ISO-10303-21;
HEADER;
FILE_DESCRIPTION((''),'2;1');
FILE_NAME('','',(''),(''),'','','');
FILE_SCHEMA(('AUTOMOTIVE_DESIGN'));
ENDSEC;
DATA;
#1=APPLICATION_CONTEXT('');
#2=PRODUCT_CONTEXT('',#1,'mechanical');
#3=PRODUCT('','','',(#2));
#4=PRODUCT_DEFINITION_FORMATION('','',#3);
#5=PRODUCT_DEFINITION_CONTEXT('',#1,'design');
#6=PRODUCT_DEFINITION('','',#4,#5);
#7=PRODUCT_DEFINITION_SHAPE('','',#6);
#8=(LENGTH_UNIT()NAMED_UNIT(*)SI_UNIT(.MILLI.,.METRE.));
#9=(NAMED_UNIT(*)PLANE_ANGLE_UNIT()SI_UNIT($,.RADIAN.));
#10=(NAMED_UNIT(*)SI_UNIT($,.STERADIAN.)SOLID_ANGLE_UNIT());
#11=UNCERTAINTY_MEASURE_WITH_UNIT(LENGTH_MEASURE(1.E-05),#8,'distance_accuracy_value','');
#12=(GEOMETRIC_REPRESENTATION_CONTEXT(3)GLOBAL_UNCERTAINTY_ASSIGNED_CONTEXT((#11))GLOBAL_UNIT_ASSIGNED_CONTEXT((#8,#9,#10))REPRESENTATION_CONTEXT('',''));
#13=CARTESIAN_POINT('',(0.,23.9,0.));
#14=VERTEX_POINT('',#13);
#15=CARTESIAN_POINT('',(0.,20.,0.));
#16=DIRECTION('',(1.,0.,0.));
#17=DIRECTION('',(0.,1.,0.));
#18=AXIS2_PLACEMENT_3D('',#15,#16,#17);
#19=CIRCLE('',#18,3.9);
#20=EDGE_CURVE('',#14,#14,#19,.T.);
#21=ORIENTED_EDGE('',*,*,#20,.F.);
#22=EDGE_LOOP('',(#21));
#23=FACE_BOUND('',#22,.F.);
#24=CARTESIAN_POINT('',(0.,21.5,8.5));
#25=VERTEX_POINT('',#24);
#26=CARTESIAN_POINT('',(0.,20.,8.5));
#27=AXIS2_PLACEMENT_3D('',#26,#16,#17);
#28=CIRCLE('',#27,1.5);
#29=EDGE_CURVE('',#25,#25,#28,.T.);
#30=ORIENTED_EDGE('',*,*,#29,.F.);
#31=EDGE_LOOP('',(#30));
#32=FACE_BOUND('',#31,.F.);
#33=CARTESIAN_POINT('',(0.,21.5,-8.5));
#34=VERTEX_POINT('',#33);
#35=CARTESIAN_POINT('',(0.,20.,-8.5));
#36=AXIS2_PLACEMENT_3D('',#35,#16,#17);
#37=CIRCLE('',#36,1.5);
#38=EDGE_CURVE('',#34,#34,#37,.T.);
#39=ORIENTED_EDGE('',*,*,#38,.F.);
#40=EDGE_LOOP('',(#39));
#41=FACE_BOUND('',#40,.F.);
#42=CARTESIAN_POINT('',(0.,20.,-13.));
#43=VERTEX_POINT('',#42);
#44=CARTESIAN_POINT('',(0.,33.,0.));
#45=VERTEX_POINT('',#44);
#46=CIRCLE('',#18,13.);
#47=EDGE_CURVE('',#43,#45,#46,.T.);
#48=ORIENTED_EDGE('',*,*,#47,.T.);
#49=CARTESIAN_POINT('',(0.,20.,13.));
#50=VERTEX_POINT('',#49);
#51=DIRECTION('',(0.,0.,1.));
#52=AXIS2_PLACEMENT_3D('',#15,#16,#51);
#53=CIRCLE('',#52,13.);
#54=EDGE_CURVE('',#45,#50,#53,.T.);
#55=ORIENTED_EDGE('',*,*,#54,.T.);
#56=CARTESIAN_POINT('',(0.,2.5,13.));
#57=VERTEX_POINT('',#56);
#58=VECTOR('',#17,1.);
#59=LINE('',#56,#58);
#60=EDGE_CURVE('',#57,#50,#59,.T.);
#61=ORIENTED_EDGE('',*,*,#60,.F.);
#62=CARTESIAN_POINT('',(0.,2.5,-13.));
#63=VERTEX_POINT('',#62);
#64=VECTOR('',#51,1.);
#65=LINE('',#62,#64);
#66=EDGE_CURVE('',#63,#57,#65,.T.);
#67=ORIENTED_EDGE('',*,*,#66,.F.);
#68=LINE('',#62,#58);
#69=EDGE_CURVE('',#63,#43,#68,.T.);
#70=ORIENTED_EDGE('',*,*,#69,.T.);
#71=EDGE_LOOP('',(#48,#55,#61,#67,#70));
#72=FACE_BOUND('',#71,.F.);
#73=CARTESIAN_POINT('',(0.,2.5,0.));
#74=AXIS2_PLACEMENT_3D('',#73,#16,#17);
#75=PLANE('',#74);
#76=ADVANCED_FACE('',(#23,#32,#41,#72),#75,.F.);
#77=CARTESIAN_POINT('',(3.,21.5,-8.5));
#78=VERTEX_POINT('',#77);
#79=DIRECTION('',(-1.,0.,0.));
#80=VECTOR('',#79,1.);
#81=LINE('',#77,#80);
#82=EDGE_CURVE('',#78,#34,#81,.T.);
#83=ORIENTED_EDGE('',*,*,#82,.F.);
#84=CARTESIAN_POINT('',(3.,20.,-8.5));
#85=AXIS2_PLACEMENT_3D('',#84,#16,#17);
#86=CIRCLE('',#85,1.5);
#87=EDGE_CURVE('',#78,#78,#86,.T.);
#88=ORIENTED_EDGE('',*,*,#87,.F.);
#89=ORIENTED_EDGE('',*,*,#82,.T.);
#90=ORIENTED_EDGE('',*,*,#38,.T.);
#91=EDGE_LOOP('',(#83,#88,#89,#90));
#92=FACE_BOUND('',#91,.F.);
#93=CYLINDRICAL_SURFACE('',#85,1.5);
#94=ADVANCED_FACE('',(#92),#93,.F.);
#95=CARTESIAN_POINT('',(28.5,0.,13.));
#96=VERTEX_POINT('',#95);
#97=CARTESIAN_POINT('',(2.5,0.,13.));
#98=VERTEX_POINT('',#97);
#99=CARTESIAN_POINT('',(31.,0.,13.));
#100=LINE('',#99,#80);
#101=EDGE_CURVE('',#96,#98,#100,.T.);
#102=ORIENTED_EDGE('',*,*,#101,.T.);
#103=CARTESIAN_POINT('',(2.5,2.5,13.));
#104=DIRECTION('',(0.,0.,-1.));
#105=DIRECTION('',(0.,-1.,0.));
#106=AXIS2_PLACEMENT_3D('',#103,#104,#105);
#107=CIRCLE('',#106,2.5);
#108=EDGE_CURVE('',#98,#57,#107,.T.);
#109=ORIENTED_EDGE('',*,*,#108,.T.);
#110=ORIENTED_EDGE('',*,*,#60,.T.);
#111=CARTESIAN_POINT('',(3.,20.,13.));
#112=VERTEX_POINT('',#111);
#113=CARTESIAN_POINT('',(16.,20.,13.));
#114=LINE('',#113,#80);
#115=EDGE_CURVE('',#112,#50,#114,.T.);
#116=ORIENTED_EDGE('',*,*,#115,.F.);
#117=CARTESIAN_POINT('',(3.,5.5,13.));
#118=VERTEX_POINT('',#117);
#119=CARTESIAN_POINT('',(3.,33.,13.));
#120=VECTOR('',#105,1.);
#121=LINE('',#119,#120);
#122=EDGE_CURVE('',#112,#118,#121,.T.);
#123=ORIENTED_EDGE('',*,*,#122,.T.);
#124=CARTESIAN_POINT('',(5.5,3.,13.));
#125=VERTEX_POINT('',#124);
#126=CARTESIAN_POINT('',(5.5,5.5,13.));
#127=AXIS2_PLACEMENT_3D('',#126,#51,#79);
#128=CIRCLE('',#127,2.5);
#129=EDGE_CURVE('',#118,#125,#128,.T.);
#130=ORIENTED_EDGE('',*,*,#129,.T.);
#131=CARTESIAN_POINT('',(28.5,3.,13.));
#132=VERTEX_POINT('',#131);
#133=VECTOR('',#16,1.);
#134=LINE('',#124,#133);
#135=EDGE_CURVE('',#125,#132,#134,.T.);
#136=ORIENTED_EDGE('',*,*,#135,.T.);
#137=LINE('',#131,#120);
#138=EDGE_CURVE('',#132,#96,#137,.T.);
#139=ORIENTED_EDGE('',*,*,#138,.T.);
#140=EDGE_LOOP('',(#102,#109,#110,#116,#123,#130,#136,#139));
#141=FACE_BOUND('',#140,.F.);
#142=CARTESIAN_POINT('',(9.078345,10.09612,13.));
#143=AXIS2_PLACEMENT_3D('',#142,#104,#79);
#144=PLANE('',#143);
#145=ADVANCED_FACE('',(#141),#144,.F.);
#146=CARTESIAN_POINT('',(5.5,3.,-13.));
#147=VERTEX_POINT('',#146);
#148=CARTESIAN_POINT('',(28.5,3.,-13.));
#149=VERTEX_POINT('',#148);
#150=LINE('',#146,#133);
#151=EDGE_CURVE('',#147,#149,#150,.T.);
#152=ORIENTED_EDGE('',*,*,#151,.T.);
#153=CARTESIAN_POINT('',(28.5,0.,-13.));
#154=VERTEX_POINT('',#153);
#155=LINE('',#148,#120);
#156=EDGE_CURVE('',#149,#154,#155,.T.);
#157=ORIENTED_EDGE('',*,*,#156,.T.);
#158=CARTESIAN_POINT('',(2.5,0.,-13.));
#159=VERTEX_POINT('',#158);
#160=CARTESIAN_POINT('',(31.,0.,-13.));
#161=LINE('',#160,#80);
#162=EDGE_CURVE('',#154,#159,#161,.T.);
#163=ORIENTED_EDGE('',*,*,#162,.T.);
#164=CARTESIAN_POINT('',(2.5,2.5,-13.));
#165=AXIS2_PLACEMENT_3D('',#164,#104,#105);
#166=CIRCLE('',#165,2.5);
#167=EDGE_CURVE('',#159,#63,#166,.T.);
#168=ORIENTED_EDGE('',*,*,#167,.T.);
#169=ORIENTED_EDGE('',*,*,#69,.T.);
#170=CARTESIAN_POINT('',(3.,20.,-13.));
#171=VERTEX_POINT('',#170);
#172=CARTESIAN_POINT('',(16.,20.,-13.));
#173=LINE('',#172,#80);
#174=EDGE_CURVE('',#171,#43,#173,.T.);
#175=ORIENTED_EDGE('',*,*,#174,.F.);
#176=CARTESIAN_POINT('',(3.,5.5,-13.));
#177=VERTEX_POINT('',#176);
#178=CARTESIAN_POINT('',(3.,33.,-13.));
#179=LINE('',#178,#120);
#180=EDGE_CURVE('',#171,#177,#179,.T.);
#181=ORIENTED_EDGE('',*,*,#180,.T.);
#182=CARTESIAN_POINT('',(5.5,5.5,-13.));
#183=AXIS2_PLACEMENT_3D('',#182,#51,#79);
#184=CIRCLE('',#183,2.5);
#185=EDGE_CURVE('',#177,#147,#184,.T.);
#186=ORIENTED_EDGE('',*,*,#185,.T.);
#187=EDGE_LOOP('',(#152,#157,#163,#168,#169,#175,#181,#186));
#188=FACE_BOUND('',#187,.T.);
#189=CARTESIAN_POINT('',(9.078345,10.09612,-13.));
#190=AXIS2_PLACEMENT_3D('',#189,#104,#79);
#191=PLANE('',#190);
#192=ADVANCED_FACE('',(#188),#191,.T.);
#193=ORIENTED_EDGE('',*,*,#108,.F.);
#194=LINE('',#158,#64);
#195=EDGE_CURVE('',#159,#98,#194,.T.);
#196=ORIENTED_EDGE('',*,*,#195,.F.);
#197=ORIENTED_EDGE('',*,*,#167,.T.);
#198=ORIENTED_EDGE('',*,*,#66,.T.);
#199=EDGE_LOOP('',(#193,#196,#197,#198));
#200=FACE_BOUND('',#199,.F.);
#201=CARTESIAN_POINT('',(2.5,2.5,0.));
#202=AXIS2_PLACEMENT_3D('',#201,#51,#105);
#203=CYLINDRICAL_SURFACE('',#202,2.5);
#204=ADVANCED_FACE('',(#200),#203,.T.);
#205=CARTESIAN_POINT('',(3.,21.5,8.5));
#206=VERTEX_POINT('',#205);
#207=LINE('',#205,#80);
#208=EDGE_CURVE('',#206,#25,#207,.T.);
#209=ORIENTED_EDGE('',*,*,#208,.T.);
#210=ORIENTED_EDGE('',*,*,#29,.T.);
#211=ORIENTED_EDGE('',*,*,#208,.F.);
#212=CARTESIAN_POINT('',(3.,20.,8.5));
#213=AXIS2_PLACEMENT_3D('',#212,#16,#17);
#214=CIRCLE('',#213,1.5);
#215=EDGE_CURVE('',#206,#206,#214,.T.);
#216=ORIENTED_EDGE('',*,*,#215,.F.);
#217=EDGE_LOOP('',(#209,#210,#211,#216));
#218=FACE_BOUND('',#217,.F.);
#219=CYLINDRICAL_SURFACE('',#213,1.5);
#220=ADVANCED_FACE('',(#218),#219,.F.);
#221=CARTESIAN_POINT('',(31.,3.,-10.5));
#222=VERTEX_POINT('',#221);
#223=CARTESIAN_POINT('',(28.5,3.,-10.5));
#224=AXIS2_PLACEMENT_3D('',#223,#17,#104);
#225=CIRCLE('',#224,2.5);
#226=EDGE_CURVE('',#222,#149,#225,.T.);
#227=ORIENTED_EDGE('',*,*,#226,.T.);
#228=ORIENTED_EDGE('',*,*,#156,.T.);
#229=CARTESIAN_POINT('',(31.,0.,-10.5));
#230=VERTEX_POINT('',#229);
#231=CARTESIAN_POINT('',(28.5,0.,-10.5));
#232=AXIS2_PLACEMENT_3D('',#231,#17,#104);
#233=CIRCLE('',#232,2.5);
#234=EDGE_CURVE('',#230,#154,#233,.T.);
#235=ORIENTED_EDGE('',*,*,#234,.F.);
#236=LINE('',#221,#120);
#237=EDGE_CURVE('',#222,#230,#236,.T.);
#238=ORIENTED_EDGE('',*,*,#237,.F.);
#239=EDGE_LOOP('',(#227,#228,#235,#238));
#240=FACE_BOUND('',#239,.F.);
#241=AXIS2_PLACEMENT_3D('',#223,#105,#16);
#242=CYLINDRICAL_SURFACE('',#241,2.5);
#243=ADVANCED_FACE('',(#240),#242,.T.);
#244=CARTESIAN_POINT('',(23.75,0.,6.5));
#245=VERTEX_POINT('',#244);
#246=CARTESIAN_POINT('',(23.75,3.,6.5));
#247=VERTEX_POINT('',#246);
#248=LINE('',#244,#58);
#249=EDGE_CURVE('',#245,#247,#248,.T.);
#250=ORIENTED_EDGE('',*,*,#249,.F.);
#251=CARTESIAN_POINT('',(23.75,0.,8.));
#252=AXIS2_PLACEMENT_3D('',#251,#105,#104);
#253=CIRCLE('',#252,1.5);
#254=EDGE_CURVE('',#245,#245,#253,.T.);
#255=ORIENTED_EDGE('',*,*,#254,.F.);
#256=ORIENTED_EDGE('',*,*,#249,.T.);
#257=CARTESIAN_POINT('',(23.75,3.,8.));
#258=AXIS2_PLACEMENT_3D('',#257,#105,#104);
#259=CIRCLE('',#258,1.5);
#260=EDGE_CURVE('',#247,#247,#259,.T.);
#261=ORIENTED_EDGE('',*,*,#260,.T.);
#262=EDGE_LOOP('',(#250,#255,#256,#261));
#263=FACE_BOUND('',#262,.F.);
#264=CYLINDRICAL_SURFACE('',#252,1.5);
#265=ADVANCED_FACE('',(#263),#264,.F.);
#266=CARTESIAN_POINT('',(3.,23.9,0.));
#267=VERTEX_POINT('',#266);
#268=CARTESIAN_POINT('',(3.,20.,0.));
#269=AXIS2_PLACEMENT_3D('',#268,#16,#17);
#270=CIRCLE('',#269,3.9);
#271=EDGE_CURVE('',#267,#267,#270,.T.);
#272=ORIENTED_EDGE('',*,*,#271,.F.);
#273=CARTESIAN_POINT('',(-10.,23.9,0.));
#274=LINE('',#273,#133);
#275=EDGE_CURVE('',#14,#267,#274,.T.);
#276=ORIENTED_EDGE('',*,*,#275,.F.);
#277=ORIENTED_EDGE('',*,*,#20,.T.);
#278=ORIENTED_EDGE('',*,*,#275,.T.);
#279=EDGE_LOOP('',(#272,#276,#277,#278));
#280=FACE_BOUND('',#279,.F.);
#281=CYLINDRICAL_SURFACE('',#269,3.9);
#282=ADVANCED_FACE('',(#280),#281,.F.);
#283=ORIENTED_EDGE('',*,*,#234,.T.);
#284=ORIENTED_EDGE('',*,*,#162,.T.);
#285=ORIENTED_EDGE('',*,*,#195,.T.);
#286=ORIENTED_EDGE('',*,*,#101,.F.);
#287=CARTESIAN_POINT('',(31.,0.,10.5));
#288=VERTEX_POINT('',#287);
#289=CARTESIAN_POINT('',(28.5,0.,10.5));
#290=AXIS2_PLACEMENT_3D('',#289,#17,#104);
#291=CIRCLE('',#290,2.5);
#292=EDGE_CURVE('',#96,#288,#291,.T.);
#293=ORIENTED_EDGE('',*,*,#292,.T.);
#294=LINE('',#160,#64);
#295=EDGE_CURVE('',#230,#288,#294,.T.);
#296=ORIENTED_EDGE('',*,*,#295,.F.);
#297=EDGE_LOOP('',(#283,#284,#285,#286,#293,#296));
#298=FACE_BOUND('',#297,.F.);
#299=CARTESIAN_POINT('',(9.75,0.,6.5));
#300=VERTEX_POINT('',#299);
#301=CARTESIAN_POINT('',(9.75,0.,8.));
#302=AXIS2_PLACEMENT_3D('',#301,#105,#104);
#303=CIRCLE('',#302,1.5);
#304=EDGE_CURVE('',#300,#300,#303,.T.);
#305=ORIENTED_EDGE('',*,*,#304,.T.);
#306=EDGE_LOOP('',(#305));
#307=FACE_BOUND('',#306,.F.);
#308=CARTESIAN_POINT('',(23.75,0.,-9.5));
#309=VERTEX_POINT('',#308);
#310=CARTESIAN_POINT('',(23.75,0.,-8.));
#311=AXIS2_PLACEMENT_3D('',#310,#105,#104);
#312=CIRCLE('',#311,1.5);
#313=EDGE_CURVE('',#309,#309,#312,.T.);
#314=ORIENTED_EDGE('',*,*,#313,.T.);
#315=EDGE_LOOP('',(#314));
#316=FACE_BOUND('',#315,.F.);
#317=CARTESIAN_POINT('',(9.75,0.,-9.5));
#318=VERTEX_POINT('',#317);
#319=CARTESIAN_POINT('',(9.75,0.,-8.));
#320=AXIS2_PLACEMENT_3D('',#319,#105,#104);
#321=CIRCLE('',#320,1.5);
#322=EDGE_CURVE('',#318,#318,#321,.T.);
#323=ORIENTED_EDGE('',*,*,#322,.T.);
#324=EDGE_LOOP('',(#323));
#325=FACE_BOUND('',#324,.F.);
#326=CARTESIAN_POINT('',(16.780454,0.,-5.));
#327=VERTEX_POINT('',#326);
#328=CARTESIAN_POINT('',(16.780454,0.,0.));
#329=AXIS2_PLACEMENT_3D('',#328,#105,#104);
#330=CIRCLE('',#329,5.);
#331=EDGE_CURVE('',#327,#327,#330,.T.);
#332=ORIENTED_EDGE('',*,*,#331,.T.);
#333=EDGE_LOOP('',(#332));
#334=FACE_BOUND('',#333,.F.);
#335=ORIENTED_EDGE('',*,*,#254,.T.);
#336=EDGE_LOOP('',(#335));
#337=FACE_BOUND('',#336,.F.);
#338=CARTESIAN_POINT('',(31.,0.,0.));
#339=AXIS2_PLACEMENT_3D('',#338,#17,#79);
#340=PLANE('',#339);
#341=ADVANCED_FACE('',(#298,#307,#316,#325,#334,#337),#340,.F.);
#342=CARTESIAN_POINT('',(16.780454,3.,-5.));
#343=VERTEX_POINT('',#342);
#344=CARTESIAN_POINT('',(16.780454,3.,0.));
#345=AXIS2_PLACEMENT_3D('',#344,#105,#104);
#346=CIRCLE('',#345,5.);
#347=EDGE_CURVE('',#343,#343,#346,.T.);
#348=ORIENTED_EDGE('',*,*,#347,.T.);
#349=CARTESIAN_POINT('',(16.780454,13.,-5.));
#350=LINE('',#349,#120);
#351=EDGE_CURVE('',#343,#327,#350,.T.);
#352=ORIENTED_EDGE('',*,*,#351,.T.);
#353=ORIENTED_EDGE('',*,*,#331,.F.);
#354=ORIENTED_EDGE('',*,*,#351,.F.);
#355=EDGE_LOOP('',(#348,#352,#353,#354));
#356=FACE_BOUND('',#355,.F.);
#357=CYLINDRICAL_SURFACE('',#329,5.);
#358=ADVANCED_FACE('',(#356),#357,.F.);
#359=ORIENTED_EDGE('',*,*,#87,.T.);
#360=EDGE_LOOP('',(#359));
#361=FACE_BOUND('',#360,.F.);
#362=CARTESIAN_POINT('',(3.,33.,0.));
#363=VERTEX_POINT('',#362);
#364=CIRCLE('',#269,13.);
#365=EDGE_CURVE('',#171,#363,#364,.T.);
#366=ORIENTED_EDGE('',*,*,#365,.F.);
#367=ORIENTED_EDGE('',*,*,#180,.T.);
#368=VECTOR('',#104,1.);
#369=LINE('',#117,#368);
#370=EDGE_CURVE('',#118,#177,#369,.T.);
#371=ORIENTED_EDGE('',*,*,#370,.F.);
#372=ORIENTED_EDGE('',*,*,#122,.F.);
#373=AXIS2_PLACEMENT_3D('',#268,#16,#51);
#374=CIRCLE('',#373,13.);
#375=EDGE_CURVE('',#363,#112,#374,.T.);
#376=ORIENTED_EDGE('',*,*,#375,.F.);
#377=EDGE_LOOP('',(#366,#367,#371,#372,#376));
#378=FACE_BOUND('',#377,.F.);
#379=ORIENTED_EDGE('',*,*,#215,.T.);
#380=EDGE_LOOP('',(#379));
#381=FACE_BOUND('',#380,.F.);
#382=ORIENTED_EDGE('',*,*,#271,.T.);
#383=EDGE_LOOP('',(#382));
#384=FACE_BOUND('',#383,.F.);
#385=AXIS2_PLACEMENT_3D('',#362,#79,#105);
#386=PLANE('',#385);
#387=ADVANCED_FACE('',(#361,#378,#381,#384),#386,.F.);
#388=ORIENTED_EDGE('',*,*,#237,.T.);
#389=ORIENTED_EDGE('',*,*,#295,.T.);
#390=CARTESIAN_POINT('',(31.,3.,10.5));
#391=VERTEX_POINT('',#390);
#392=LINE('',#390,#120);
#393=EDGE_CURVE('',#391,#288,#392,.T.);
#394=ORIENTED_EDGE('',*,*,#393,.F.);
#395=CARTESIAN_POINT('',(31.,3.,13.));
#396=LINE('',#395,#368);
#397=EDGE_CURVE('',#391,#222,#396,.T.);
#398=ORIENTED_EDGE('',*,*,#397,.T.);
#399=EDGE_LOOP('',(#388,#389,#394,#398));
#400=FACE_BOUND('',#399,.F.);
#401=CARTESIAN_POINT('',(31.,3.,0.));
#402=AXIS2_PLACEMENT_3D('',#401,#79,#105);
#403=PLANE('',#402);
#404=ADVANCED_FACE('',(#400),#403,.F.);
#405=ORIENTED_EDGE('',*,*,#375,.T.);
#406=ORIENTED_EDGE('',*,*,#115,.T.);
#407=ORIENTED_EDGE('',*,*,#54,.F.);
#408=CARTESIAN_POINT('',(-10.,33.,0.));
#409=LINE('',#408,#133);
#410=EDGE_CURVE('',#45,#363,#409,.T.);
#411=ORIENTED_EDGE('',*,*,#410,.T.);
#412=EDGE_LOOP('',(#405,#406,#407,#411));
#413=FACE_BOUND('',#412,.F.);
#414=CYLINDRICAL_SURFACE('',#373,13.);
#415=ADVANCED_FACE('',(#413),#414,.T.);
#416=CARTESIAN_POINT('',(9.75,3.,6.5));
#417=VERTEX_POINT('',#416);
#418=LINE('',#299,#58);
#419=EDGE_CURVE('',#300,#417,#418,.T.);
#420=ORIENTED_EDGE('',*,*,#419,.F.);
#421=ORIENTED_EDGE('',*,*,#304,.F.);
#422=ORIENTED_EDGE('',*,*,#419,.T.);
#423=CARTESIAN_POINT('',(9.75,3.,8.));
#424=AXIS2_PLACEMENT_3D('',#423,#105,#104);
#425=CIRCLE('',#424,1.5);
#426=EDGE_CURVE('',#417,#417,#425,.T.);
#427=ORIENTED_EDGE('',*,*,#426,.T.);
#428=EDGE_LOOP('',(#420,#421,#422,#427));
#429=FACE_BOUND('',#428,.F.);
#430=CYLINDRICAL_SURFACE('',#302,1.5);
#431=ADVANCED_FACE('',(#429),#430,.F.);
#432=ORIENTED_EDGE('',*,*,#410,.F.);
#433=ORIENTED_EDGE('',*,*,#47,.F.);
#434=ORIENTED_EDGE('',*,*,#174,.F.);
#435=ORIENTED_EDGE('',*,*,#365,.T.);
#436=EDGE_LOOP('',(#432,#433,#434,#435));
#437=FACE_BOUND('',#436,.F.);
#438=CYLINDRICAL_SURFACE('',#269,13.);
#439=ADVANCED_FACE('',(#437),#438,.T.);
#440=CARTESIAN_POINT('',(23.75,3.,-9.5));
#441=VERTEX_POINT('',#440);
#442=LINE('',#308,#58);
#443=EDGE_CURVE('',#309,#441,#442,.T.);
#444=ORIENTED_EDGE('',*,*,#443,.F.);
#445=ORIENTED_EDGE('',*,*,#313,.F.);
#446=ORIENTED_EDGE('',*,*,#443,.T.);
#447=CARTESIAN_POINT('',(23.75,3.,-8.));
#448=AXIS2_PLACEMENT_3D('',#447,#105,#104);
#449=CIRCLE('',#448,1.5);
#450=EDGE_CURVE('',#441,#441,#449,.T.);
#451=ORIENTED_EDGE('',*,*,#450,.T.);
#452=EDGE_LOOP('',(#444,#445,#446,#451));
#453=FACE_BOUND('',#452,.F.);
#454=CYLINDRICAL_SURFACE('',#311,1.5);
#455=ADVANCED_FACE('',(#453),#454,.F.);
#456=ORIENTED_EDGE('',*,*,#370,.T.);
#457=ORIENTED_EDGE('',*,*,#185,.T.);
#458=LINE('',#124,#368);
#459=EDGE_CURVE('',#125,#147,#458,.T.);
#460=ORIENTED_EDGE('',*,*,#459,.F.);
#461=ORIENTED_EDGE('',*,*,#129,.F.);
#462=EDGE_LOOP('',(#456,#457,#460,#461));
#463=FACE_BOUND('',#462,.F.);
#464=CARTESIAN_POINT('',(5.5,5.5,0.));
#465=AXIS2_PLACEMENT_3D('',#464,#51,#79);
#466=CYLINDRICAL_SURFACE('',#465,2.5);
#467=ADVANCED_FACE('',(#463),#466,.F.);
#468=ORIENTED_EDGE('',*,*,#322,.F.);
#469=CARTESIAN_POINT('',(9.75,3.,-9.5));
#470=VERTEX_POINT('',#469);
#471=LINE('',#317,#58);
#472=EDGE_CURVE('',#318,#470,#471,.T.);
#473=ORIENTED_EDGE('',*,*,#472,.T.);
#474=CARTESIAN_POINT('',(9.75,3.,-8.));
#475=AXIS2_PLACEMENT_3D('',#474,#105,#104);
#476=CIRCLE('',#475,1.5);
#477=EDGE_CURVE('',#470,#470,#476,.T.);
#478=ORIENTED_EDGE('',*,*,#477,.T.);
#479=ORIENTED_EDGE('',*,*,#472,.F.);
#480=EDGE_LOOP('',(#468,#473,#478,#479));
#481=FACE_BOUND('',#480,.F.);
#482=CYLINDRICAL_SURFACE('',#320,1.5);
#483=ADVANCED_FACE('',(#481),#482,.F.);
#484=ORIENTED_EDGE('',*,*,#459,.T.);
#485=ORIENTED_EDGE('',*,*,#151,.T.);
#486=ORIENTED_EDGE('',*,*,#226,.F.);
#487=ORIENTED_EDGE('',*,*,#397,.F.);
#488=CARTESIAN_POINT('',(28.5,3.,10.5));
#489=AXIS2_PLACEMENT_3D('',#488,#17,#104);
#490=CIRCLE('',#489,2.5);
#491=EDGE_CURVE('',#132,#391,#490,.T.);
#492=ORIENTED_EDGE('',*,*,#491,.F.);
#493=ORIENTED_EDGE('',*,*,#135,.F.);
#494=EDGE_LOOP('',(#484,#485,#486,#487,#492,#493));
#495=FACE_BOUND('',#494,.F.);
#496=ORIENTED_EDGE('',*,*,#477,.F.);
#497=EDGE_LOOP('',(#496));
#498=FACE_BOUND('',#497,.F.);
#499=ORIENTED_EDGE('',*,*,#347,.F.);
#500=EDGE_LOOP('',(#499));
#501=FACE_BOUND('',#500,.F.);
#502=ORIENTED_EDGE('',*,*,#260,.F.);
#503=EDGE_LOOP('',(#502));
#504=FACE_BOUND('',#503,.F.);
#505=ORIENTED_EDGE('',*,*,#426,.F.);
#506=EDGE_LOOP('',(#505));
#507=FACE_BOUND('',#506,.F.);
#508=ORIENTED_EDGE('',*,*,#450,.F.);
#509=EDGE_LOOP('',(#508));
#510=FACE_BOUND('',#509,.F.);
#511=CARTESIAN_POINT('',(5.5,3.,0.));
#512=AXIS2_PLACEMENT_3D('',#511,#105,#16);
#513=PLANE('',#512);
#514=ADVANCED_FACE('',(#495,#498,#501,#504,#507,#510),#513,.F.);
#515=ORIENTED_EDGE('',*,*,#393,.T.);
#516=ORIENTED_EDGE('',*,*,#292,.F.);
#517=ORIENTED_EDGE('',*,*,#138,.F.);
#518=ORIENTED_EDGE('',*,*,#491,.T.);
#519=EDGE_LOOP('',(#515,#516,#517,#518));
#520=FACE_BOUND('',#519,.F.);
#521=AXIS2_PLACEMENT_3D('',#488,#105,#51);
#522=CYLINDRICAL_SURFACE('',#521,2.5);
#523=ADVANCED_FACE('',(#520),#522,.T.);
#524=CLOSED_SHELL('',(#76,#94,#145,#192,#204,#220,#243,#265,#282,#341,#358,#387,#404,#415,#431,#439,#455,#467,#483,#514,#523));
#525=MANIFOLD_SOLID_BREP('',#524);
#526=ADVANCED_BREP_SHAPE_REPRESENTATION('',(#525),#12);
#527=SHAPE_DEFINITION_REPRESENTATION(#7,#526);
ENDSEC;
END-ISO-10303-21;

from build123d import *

# Parameters (mm, degrees)
BOSS_EXTRUDE2_DEPTH = 13
FILLET1_R           = 2.5
CUT_EXTRUDE1_DEPTH  = 13
SKETCH4_R           = 1.5
SKETCH4_R_2         = 3.9
CUT_EXTRUDE2_DEPTH  = 13
SKETCH5_R           = 1.5
SKETCH5_R_2         = 5
CUT_EXTRUDE3_DEPTH  = 13


with BuildPart() as part:
    # Sketch1 → Boss-Extrude2 (new, symmetric)
    with BuildSketch(Plane.XY):
        with BuildLine():
            Line((0, 2.5), (0, 33))
            Line((0, 33), (3, 33))
            Line((3, 33), (3, 5.5))
            ThreePointArc((3, 5.5), (3.732233047, 3.732233047), (5.5, 3))
            Line((5.5, 3), (31, 3))
            Line((31, 3), (31, 0))
            Line((31, 0), (2.5, 0))
            ThreePointArc((2.5, 0), (0.732233047, 0.732233047), (0, 2.5))
        make_face()
    extrude(amount=BOSS_EXTRUDE2_DEPTH, both=True)

    # Fillet1
    fillet1_edges = [part.edges().sort_by_distance(p)[0] for p in [
        (31, 1.5, 13),
        (31, 1.5, -13),
    ]]
    fillet(fillet1_edges, radius=FILLET1_R)

    # Sketch3 → Cut-Extrude1 (cut, symmetric)
    with BuildSketch(Plane(origin=(3, 0, 0), x_dir=(0, 0, -1), z_dir=(1, 0, 0))):
        with BuildLine():
            Line((-13, 33), (-13, 20))
            ThreePointArc((-13, 20), (-9.192388155, 29.192388155), (0, 33))
            Line((0, 33), (-13, 33))
        make_face()
        with BuildLine():
            Line((13, 33), (0, 33))
            ThreePointArc((0, 33), (9.192388155, 29.192388155), (13, 20))
            Line((13, 20), (13, 33))
        make_face()
    extrude(amount=CUT_EXTRUDE1_DEPTH, both=True, mode=Mode.SUBTRACT)

    # Sketch4 → Cut-Extrude2 (cut, symmetric)
    with BuildSketch(Plane(origin=(3, 0, 0), x_dir=(0, 0, -1), z_dir=(1, 0, 0))):
        with Locations(Location((-8.5, 20, 0), (0, 0, 90))):
            Circle(SKETCH4_R)
        with Locations(Location((8.5, 20, 0), (0, 0, 90))):
            Circle(SKETCH4_R)
        with Locations(Location((0, 20, 0), (0, 0, 90))):
            Circle(SKETCH4_R_2)
    extrude(amount=CUT_EXTRUDE2_DEPTH, both=True, mode=Mode.SUBTRACT)

    # Sketch5 → Cut-Extrude3 (cut, symmetric)
    with BuildSketch(Plane.XZ):
        with Locations(Location((23.75, 8, 0), (0, 0, 270))):
            Circle(SKETCH5_R)
        with Locations(Location((23.75, -8, 0), (0, 0, 270))):
            Circle(SKETCH5_R)
        with Locations(Location((9.75, 8, 0), (0, 0, 270))):
            Circle(SKETCH5_R)
        with Locations(Location((9.75, -8, 0), (0, 0, 270))):
            Circle(SKETCH5_R)
        with Locations(Location((16.780453702, 0, 0), (0, 0, 270))):
            Circle(SKETCH5_R_2)
    extrude(amount=CUT_EXTRUDE3_DEPTH, both=True, mode=Mode.SUBTRACT)


solid = part.part
